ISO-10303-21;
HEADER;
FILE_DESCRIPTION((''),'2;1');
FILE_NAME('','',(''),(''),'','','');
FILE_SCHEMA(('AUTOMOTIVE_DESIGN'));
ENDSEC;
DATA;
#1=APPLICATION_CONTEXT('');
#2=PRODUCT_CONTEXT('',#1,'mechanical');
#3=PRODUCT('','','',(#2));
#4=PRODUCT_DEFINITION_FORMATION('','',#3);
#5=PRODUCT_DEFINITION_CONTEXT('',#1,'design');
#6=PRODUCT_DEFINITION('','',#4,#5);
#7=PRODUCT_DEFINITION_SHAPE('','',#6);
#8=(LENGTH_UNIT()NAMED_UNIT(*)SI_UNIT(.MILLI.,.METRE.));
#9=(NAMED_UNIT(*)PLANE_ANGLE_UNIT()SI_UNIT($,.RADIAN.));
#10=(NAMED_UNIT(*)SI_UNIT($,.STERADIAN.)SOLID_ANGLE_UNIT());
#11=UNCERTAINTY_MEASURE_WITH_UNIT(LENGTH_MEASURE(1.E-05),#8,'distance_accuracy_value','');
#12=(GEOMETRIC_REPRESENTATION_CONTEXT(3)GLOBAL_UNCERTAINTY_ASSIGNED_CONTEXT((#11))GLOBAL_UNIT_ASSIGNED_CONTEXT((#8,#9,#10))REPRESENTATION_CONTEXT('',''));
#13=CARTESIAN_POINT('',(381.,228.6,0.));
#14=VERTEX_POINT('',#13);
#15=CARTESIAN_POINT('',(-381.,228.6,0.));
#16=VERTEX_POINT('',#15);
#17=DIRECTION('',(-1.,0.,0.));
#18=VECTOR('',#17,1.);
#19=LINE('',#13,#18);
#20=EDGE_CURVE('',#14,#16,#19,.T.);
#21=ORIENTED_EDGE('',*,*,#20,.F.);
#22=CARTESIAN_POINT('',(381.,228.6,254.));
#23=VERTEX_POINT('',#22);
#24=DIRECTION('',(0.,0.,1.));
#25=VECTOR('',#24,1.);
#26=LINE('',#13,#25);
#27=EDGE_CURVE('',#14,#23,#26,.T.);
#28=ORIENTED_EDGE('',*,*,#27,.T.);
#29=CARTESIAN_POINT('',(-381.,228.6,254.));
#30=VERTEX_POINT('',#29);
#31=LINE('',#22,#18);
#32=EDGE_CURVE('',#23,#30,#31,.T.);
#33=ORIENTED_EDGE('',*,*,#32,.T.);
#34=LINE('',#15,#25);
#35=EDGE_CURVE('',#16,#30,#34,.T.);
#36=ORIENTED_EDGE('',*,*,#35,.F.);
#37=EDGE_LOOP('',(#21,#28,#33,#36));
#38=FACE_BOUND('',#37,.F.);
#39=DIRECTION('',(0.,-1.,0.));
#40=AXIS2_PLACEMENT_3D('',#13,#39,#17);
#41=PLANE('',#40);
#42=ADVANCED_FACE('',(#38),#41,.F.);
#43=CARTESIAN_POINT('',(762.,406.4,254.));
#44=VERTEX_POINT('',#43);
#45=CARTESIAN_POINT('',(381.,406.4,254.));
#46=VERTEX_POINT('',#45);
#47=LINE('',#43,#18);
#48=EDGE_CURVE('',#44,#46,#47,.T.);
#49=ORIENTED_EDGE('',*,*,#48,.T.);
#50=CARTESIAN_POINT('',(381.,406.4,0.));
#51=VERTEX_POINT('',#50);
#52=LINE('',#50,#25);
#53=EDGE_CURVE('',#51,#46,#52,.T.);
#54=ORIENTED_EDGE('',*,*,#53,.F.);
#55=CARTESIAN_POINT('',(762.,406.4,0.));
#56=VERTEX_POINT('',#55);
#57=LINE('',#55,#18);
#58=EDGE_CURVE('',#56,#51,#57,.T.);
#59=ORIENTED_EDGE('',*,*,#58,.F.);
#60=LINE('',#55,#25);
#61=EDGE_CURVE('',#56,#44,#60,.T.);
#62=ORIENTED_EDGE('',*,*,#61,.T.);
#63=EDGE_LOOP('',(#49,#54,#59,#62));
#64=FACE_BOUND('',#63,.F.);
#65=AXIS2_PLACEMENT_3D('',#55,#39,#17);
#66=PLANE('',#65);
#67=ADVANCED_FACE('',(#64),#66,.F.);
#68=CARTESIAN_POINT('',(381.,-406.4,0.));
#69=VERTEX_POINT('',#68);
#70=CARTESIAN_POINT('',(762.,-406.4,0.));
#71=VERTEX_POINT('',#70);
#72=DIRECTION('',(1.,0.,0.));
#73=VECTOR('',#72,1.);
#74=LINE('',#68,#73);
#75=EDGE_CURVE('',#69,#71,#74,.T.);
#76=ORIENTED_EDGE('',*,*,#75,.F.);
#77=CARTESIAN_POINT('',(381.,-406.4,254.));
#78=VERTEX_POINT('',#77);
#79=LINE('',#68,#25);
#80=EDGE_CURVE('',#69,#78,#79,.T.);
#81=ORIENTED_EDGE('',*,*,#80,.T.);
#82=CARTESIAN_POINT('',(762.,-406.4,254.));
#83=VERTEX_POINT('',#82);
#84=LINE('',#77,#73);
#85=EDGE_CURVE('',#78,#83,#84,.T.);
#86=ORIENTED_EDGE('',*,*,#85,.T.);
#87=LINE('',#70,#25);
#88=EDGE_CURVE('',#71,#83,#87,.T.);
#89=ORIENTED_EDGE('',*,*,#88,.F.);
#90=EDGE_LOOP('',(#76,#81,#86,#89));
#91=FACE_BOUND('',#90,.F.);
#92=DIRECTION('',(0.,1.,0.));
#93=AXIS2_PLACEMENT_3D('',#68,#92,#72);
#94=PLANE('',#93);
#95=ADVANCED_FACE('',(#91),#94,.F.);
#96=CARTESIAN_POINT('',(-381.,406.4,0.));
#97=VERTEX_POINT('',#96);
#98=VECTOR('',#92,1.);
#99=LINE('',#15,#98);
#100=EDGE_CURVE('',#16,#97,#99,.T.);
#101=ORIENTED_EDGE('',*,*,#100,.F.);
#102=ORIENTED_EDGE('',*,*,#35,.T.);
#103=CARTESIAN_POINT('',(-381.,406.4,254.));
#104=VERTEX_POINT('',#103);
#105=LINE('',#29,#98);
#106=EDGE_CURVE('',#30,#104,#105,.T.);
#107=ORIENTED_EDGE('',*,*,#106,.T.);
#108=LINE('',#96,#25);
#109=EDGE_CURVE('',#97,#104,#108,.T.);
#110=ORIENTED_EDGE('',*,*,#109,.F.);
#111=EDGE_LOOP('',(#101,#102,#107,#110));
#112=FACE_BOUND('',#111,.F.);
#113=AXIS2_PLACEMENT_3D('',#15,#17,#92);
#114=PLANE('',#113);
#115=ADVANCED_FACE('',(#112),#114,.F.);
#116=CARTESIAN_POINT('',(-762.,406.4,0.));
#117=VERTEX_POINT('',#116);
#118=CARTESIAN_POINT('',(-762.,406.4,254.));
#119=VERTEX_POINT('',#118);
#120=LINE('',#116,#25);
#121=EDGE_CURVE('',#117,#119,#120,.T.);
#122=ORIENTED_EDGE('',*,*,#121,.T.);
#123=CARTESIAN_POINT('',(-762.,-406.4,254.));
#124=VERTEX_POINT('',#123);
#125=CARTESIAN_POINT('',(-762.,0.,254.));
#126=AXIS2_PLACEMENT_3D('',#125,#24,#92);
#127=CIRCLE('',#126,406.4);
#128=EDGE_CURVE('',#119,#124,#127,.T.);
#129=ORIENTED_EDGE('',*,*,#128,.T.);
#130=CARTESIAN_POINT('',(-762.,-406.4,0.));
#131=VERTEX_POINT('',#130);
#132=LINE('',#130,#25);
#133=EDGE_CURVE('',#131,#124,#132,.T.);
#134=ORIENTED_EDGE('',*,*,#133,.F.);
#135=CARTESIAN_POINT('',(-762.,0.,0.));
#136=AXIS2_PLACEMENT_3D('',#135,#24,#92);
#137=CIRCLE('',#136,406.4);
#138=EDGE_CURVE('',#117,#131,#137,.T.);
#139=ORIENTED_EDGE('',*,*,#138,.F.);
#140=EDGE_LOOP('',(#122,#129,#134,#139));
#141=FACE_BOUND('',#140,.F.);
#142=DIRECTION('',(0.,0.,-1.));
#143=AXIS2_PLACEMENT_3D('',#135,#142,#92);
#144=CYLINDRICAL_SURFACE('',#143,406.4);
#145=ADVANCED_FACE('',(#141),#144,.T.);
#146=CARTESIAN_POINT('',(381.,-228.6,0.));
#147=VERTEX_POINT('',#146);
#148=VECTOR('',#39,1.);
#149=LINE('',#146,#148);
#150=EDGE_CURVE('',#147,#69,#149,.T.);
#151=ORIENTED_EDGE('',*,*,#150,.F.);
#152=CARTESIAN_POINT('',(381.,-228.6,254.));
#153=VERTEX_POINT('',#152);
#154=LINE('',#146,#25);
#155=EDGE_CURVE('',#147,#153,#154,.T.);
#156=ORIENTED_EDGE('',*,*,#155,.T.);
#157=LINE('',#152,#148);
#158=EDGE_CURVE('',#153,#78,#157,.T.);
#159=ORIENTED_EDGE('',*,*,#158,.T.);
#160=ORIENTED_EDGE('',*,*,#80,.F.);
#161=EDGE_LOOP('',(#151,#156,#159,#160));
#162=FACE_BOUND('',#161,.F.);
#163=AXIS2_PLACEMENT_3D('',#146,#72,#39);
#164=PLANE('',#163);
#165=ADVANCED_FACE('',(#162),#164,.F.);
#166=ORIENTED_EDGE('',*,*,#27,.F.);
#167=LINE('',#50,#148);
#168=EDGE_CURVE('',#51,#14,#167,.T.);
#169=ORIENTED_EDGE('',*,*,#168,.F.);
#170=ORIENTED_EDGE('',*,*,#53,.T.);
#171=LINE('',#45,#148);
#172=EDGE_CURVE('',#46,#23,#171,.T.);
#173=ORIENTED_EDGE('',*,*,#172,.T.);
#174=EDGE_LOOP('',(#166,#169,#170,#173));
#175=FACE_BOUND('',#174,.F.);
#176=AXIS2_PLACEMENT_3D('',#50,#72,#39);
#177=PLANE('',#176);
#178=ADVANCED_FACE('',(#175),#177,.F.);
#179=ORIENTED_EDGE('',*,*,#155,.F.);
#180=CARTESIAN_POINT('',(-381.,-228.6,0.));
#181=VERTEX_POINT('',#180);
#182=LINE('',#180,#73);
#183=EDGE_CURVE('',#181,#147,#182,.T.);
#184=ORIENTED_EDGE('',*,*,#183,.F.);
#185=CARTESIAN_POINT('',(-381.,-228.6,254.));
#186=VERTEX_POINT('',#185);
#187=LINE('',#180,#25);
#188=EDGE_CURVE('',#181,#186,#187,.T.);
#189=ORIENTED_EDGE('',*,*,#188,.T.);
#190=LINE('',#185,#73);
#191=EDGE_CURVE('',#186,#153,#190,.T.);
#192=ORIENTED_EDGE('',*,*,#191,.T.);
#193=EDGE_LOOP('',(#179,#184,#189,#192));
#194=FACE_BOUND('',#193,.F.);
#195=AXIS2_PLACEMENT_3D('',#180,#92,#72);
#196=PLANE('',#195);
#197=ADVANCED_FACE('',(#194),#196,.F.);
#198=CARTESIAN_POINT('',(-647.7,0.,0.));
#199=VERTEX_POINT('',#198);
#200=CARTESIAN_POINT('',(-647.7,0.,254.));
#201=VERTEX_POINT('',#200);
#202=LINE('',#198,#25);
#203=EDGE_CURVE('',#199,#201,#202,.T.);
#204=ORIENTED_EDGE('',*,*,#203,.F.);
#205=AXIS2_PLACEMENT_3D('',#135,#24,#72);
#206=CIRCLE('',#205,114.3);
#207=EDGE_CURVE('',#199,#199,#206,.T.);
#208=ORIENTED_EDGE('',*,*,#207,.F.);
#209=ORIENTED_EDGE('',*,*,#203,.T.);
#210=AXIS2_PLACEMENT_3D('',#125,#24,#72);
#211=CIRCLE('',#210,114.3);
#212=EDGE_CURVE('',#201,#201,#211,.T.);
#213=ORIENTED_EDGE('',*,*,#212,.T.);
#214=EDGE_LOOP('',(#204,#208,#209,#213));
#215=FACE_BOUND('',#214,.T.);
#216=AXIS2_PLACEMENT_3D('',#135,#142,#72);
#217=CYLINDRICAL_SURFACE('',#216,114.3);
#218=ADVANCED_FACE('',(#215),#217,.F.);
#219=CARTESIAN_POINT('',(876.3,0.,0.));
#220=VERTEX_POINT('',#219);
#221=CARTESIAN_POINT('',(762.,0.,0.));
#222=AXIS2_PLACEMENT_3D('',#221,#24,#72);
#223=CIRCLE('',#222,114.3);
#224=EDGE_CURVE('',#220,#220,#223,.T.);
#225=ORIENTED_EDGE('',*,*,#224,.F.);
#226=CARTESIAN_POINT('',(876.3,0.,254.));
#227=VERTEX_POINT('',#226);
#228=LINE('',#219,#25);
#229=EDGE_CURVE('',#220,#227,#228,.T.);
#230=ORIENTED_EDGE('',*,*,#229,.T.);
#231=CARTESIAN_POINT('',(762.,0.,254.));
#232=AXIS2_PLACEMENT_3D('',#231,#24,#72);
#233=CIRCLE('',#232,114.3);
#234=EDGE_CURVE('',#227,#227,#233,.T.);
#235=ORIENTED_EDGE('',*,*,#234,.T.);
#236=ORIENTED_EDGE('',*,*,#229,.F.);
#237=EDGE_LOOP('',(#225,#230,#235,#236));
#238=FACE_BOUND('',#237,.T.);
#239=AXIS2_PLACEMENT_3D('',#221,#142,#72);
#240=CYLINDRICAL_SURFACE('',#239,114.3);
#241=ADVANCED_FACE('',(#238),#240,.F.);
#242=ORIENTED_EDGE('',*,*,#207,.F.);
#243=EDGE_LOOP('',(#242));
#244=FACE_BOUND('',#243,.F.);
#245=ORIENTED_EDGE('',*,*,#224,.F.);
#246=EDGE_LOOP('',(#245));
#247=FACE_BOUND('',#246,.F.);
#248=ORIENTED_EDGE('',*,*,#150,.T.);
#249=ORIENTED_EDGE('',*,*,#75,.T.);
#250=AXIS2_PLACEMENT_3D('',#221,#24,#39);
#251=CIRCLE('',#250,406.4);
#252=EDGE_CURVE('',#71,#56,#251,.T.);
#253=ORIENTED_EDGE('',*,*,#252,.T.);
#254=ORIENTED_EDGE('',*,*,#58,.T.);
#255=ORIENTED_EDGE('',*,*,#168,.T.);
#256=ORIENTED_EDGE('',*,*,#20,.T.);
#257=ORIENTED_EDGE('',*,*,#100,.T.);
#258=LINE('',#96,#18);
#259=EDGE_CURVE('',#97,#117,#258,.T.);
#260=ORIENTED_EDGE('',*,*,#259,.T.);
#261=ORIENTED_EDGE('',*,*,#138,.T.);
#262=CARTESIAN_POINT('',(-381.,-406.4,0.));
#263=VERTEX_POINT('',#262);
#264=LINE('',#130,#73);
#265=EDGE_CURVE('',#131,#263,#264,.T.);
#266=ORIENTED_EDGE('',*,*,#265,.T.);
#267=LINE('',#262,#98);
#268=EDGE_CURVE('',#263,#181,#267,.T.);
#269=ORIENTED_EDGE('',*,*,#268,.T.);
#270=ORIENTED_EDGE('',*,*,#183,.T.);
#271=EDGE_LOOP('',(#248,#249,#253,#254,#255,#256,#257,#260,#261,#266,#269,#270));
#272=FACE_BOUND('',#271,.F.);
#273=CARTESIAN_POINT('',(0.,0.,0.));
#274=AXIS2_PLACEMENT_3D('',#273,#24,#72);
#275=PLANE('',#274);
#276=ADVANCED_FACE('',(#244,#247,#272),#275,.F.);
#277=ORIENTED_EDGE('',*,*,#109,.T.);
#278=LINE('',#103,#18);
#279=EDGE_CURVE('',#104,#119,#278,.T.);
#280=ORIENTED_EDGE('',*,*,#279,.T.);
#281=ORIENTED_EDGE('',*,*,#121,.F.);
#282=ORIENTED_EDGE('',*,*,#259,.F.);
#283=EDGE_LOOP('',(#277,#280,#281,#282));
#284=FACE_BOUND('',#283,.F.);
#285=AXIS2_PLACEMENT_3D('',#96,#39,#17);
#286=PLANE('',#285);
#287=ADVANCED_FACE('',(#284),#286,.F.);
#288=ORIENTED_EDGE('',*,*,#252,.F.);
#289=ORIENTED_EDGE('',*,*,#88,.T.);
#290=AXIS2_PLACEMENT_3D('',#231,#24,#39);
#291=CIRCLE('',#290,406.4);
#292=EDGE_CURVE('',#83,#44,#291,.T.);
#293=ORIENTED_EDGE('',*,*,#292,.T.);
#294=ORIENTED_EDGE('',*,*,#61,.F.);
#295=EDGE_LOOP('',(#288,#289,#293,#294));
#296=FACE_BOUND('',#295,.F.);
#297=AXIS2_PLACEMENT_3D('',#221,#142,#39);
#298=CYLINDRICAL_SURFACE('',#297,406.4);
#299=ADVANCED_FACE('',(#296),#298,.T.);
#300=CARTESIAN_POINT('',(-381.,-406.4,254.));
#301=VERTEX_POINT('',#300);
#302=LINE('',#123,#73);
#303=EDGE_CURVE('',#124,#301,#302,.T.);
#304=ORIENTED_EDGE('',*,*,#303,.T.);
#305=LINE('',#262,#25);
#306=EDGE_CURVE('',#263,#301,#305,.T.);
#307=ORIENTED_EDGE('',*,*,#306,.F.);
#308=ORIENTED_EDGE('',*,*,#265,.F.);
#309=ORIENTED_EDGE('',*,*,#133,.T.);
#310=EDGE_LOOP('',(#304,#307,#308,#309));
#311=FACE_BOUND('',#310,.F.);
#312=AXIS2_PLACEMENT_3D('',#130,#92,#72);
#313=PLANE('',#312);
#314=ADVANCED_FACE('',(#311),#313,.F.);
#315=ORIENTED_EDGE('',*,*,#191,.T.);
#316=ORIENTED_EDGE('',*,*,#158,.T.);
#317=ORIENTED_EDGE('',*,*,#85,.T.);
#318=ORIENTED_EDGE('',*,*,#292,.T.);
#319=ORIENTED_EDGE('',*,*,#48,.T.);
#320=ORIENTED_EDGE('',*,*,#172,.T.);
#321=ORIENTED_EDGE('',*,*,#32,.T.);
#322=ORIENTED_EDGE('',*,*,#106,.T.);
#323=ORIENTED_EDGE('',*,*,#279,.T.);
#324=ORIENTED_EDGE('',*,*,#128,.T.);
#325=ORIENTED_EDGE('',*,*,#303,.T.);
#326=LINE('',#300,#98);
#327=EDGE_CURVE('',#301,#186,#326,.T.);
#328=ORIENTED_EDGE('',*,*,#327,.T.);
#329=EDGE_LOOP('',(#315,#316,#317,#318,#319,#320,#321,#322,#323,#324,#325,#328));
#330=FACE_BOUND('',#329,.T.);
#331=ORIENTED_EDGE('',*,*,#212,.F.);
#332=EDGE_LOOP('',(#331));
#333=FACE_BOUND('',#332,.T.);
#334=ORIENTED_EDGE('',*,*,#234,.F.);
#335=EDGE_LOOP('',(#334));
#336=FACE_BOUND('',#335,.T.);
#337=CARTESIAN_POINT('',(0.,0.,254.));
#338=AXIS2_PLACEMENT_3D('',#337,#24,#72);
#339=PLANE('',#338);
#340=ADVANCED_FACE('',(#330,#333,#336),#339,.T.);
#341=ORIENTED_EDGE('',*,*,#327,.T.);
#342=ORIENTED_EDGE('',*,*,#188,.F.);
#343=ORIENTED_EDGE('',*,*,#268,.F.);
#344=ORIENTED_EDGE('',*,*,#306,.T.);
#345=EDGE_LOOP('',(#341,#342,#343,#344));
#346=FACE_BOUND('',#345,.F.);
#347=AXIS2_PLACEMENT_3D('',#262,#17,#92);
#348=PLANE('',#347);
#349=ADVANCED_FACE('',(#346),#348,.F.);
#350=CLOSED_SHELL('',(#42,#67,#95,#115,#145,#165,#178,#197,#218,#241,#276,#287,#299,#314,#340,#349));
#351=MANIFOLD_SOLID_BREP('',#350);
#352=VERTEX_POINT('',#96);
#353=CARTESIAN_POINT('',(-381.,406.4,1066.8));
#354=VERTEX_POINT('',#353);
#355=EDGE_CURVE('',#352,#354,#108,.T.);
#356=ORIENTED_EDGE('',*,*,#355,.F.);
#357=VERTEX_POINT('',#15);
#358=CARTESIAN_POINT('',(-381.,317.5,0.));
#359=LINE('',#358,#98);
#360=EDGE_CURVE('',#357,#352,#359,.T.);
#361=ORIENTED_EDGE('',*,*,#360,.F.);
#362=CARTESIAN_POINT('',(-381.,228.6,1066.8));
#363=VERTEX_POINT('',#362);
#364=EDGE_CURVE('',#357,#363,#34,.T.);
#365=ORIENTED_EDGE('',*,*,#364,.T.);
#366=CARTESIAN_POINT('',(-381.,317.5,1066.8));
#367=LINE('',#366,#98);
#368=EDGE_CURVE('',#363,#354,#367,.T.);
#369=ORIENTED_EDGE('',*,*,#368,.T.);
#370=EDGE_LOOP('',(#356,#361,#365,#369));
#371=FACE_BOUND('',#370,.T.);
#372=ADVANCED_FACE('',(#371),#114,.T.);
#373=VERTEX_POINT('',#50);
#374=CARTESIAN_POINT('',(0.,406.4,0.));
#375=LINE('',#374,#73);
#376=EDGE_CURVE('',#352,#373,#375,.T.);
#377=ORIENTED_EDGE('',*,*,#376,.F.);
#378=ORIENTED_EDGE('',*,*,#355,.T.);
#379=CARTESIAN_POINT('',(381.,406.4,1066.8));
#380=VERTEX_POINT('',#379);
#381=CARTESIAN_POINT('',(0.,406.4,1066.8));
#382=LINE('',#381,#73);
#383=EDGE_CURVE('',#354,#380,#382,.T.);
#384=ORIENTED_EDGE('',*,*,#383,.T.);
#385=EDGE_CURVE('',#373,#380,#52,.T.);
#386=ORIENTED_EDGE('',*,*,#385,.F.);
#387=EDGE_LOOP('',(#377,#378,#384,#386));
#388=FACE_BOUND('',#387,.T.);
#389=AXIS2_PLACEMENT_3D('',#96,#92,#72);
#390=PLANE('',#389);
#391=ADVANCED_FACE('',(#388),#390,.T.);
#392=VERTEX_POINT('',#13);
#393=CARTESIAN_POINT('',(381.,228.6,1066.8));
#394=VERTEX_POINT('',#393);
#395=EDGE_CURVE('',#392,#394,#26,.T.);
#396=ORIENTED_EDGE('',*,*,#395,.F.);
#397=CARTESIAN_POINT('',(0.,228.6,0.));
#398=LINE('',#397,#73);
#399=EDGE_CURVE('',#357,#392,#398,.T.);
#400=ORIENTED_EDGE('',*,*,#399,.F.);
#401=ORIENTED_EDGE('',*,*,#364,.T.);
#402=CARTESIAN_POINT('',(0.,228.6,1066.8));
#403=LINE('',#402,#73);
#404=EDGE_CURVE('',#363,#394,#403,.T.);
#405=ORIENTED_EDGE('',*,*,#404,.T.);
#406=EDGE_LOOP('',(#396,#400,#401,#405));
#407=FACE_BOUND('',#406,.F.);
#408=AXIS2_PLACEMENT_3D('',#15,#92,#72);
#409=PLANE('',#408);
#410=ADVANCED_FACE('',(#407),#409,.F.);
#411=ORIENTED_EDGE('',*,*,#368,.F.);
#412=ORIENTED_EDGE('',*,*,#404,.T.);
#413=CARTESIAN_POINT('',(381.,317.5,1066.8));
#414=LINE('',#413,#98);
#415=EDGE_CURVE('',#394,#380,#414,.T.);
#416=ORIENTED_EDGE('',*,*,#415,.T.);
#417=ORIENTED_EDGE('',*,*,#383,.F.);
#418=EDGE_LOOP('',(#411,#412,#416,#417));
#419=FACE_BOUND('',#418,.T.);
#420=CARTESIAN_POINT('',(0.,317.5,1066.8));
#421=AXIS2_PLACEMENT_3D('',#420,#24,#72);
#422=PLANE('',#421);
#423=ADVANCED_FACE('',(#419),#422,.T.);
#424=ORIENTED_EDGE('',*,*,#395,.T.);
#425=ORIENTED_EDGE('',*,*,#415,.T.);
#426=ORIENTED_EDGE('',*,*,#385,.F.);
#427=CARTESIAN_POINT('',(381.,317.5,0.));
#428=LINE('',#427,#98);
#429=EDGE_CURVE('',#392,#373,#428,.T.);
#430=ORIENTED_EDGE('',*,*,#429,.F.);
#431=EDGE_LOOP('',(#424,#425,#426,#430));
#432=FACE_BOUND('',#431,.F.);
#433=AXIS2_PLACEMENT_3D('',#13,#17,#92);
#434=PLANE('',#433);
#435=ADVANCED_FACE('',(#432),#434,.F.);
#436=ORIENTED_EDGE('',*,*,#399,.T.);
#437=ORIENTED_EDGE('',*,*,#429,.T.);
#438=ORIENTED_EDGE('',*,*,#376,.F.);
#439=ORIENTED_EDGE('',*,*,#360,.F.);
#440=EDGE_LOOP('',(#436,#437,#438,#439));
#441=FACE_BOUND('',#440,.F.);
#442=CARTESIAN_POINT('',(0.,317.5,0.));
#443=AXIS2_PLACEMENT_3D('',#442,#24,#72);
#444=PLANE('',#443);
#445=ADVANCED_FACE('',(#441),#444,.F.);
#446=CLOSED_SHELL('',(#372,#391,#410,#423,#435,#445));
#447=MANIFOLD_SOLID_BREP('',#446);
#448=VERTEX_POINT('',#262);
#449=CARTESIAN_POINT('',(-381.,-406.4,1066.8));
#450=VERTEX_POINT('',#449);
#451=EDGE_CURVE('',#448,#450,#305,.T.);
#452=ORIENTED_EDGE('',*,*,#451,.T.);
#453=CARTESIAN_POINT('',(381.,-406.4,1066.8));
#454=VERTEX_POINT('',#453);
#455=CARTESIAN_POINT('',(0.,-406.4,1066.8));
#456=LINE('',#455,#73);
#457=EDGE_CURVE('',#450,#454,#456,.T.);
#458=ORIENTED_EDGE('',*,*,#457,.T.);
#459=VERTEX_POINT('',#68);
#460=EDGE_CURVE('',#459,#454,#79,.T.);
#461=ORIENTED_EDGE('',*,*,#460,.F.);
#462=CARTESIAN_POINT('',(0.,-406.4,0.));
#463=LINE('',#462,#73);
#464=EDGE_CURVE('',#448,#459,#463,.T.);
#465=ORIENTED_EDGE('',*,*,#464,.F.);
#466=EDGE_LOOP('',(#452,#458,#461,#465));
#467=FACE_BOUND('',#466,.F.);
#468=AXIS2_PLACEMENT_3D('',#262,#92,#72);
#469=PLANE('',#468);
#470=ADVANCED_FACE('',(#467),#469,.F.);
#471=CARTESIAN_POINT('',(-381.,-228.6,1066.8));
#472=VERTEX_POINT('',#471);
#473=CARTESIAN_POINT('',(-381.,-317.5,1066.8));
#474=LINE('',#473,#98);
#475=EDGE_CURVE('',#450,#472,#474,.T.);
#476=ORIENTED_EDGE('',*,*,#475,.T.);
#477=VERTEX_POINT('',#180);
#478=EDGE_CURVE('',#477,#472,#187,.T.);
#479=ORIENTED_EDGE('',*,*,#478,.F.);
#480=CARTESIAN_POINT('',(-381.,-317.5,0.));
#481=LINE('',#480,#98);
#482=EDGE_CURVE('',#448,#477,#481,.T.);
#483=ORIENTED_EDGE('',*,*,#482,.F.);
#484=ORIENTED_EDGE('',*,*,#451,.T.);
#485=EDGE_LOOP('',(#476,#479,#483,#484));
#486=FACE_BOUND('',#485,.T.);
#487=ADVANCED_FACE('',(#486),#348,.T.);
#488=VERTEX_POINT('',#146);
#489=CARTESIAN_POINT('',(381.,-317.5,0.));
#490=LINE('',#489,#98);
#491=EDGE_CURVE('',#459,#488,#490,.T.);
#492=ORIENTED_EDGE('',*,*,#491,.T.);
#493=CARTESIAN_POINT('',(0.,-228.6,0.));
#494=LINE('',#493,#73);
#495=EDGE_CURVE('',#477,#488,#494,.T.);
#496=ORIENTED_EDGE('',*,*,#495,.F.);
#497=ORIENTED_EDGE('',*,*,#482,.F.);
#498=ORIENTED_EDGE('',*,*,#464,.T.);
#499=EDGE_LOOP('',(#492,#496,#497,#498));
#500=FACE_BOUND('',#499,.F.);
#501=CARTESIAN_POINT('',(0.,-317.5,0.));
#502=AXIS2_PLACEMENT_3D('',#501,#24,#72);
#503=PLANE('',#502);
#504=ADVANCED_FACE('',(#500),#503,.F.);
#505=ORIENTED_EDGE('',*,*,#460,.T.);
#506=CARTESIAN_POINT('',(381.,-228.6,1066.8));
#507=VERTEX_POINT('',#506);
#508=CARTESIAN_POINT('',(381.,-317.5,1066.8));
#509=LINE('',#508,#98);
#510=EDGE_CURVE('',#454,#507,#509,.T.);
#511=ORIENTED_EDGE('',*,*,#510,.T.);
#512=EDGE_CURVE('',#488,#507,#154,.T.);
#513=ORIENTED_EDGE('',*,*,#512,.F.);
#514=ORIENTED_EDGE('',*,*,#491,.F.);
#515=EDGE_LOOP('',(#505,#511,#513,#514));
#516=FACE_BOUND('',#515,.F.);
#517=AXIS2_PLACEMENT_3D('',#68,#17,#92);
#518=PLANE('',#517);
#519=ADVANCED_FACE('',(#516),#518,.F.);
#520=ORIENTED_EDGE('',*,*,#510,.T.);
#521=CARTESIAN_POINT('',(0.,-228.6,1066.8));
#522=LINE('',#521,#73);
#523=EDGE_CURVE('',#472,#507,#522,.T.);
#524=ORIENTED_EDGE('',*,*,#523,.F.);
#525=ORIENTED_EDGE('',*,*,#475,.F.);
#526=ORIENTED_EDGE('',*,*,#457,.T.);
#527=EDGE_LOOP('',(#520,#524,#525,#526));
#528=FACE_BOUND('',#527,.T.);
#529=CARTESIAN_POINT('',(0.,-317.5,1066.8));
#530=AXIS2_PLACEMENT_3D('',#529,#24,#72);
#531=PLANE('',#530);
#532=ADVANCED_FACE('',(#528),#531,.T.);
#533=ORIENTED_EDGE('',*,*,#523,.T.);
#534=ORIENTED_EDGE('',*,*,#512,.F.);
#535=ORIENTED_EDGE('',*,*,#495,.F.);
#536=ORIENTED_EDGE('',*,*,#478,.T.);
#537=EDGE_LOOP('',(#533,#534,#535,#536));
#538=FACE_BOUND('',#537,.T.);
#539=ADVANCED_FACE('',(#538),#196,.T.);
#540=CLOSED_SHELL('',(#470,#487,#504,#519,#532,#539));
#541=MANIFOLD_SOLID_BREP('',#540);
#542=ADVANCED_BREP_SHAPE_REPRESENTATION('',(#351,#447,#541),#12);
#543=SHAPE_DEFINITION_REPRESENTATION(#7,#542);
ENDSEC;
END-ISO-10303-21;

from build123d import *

# Parameters (mm, degrees)
F0_W     = 762
F0_H     = 177.8
F1_DEPTH = 1066.8
F2_DEPTH = 1066.8
F0_R     = 114.3
F3_DEPTH = 254


with BuildPart() as f1:
    # F0 (on Top) → F1 (new body)
    with BuildSketch(Plane.XY):
        with Locations((0, -317.5)):
            Rectangle(F0_W, F0_H)
    extrude(amount=F1_DEPTH)


with BuildPart() as f2:
    # F0 (on Top) → F2 (new body)
    with BuildSketch(Plane.XY):
        with Locations((0, 317.5)):
            Rectangle(F0_W, F0_H)
    extrude(amount=F2_DEPTH)


with BuildPart() as f3:
    # F0 (on Top) → F3 (new body)
    with BuildSketch(Plane.XY):
        with BuildLine():
            ThreePointArc((762, -406.4), (1168.4, 0), (762, 406.4))
            Line((762, 406.4), (381, 406.4))
            Line((381, 406.4), (381, 228.6))
            Line((381, 228.6), (-381, 228.6))
            Line((-381, 228.6), (-381, 406.4))
            Line((-381, 406.4), (-762, 406.4))
            ThreePointArc((-762, 406.4), (-1168.4, 0), (-762, -406.4))
            Line((-762, -406.4), (-381, -406.4))
            Line((-381, -406.4), (-381, -228.6))
            Line((-381, -228.6), (381, -228.6))
            Line((381, -228.6), (381, -406.4))
            Line((381, -406.4), (762, -406.4))
        make_face()
        with Locations((-762, 0)):
            Circle(F0_R, mode=Mode.SUBTRACT)
        with Locations((762, 0)):
            Circle(F0_R, mode=Mode.SUBTRACT)
    extrude(amount=F3_DEPTH)


solid = Compound([f1.part, f2.part, f3.part])
